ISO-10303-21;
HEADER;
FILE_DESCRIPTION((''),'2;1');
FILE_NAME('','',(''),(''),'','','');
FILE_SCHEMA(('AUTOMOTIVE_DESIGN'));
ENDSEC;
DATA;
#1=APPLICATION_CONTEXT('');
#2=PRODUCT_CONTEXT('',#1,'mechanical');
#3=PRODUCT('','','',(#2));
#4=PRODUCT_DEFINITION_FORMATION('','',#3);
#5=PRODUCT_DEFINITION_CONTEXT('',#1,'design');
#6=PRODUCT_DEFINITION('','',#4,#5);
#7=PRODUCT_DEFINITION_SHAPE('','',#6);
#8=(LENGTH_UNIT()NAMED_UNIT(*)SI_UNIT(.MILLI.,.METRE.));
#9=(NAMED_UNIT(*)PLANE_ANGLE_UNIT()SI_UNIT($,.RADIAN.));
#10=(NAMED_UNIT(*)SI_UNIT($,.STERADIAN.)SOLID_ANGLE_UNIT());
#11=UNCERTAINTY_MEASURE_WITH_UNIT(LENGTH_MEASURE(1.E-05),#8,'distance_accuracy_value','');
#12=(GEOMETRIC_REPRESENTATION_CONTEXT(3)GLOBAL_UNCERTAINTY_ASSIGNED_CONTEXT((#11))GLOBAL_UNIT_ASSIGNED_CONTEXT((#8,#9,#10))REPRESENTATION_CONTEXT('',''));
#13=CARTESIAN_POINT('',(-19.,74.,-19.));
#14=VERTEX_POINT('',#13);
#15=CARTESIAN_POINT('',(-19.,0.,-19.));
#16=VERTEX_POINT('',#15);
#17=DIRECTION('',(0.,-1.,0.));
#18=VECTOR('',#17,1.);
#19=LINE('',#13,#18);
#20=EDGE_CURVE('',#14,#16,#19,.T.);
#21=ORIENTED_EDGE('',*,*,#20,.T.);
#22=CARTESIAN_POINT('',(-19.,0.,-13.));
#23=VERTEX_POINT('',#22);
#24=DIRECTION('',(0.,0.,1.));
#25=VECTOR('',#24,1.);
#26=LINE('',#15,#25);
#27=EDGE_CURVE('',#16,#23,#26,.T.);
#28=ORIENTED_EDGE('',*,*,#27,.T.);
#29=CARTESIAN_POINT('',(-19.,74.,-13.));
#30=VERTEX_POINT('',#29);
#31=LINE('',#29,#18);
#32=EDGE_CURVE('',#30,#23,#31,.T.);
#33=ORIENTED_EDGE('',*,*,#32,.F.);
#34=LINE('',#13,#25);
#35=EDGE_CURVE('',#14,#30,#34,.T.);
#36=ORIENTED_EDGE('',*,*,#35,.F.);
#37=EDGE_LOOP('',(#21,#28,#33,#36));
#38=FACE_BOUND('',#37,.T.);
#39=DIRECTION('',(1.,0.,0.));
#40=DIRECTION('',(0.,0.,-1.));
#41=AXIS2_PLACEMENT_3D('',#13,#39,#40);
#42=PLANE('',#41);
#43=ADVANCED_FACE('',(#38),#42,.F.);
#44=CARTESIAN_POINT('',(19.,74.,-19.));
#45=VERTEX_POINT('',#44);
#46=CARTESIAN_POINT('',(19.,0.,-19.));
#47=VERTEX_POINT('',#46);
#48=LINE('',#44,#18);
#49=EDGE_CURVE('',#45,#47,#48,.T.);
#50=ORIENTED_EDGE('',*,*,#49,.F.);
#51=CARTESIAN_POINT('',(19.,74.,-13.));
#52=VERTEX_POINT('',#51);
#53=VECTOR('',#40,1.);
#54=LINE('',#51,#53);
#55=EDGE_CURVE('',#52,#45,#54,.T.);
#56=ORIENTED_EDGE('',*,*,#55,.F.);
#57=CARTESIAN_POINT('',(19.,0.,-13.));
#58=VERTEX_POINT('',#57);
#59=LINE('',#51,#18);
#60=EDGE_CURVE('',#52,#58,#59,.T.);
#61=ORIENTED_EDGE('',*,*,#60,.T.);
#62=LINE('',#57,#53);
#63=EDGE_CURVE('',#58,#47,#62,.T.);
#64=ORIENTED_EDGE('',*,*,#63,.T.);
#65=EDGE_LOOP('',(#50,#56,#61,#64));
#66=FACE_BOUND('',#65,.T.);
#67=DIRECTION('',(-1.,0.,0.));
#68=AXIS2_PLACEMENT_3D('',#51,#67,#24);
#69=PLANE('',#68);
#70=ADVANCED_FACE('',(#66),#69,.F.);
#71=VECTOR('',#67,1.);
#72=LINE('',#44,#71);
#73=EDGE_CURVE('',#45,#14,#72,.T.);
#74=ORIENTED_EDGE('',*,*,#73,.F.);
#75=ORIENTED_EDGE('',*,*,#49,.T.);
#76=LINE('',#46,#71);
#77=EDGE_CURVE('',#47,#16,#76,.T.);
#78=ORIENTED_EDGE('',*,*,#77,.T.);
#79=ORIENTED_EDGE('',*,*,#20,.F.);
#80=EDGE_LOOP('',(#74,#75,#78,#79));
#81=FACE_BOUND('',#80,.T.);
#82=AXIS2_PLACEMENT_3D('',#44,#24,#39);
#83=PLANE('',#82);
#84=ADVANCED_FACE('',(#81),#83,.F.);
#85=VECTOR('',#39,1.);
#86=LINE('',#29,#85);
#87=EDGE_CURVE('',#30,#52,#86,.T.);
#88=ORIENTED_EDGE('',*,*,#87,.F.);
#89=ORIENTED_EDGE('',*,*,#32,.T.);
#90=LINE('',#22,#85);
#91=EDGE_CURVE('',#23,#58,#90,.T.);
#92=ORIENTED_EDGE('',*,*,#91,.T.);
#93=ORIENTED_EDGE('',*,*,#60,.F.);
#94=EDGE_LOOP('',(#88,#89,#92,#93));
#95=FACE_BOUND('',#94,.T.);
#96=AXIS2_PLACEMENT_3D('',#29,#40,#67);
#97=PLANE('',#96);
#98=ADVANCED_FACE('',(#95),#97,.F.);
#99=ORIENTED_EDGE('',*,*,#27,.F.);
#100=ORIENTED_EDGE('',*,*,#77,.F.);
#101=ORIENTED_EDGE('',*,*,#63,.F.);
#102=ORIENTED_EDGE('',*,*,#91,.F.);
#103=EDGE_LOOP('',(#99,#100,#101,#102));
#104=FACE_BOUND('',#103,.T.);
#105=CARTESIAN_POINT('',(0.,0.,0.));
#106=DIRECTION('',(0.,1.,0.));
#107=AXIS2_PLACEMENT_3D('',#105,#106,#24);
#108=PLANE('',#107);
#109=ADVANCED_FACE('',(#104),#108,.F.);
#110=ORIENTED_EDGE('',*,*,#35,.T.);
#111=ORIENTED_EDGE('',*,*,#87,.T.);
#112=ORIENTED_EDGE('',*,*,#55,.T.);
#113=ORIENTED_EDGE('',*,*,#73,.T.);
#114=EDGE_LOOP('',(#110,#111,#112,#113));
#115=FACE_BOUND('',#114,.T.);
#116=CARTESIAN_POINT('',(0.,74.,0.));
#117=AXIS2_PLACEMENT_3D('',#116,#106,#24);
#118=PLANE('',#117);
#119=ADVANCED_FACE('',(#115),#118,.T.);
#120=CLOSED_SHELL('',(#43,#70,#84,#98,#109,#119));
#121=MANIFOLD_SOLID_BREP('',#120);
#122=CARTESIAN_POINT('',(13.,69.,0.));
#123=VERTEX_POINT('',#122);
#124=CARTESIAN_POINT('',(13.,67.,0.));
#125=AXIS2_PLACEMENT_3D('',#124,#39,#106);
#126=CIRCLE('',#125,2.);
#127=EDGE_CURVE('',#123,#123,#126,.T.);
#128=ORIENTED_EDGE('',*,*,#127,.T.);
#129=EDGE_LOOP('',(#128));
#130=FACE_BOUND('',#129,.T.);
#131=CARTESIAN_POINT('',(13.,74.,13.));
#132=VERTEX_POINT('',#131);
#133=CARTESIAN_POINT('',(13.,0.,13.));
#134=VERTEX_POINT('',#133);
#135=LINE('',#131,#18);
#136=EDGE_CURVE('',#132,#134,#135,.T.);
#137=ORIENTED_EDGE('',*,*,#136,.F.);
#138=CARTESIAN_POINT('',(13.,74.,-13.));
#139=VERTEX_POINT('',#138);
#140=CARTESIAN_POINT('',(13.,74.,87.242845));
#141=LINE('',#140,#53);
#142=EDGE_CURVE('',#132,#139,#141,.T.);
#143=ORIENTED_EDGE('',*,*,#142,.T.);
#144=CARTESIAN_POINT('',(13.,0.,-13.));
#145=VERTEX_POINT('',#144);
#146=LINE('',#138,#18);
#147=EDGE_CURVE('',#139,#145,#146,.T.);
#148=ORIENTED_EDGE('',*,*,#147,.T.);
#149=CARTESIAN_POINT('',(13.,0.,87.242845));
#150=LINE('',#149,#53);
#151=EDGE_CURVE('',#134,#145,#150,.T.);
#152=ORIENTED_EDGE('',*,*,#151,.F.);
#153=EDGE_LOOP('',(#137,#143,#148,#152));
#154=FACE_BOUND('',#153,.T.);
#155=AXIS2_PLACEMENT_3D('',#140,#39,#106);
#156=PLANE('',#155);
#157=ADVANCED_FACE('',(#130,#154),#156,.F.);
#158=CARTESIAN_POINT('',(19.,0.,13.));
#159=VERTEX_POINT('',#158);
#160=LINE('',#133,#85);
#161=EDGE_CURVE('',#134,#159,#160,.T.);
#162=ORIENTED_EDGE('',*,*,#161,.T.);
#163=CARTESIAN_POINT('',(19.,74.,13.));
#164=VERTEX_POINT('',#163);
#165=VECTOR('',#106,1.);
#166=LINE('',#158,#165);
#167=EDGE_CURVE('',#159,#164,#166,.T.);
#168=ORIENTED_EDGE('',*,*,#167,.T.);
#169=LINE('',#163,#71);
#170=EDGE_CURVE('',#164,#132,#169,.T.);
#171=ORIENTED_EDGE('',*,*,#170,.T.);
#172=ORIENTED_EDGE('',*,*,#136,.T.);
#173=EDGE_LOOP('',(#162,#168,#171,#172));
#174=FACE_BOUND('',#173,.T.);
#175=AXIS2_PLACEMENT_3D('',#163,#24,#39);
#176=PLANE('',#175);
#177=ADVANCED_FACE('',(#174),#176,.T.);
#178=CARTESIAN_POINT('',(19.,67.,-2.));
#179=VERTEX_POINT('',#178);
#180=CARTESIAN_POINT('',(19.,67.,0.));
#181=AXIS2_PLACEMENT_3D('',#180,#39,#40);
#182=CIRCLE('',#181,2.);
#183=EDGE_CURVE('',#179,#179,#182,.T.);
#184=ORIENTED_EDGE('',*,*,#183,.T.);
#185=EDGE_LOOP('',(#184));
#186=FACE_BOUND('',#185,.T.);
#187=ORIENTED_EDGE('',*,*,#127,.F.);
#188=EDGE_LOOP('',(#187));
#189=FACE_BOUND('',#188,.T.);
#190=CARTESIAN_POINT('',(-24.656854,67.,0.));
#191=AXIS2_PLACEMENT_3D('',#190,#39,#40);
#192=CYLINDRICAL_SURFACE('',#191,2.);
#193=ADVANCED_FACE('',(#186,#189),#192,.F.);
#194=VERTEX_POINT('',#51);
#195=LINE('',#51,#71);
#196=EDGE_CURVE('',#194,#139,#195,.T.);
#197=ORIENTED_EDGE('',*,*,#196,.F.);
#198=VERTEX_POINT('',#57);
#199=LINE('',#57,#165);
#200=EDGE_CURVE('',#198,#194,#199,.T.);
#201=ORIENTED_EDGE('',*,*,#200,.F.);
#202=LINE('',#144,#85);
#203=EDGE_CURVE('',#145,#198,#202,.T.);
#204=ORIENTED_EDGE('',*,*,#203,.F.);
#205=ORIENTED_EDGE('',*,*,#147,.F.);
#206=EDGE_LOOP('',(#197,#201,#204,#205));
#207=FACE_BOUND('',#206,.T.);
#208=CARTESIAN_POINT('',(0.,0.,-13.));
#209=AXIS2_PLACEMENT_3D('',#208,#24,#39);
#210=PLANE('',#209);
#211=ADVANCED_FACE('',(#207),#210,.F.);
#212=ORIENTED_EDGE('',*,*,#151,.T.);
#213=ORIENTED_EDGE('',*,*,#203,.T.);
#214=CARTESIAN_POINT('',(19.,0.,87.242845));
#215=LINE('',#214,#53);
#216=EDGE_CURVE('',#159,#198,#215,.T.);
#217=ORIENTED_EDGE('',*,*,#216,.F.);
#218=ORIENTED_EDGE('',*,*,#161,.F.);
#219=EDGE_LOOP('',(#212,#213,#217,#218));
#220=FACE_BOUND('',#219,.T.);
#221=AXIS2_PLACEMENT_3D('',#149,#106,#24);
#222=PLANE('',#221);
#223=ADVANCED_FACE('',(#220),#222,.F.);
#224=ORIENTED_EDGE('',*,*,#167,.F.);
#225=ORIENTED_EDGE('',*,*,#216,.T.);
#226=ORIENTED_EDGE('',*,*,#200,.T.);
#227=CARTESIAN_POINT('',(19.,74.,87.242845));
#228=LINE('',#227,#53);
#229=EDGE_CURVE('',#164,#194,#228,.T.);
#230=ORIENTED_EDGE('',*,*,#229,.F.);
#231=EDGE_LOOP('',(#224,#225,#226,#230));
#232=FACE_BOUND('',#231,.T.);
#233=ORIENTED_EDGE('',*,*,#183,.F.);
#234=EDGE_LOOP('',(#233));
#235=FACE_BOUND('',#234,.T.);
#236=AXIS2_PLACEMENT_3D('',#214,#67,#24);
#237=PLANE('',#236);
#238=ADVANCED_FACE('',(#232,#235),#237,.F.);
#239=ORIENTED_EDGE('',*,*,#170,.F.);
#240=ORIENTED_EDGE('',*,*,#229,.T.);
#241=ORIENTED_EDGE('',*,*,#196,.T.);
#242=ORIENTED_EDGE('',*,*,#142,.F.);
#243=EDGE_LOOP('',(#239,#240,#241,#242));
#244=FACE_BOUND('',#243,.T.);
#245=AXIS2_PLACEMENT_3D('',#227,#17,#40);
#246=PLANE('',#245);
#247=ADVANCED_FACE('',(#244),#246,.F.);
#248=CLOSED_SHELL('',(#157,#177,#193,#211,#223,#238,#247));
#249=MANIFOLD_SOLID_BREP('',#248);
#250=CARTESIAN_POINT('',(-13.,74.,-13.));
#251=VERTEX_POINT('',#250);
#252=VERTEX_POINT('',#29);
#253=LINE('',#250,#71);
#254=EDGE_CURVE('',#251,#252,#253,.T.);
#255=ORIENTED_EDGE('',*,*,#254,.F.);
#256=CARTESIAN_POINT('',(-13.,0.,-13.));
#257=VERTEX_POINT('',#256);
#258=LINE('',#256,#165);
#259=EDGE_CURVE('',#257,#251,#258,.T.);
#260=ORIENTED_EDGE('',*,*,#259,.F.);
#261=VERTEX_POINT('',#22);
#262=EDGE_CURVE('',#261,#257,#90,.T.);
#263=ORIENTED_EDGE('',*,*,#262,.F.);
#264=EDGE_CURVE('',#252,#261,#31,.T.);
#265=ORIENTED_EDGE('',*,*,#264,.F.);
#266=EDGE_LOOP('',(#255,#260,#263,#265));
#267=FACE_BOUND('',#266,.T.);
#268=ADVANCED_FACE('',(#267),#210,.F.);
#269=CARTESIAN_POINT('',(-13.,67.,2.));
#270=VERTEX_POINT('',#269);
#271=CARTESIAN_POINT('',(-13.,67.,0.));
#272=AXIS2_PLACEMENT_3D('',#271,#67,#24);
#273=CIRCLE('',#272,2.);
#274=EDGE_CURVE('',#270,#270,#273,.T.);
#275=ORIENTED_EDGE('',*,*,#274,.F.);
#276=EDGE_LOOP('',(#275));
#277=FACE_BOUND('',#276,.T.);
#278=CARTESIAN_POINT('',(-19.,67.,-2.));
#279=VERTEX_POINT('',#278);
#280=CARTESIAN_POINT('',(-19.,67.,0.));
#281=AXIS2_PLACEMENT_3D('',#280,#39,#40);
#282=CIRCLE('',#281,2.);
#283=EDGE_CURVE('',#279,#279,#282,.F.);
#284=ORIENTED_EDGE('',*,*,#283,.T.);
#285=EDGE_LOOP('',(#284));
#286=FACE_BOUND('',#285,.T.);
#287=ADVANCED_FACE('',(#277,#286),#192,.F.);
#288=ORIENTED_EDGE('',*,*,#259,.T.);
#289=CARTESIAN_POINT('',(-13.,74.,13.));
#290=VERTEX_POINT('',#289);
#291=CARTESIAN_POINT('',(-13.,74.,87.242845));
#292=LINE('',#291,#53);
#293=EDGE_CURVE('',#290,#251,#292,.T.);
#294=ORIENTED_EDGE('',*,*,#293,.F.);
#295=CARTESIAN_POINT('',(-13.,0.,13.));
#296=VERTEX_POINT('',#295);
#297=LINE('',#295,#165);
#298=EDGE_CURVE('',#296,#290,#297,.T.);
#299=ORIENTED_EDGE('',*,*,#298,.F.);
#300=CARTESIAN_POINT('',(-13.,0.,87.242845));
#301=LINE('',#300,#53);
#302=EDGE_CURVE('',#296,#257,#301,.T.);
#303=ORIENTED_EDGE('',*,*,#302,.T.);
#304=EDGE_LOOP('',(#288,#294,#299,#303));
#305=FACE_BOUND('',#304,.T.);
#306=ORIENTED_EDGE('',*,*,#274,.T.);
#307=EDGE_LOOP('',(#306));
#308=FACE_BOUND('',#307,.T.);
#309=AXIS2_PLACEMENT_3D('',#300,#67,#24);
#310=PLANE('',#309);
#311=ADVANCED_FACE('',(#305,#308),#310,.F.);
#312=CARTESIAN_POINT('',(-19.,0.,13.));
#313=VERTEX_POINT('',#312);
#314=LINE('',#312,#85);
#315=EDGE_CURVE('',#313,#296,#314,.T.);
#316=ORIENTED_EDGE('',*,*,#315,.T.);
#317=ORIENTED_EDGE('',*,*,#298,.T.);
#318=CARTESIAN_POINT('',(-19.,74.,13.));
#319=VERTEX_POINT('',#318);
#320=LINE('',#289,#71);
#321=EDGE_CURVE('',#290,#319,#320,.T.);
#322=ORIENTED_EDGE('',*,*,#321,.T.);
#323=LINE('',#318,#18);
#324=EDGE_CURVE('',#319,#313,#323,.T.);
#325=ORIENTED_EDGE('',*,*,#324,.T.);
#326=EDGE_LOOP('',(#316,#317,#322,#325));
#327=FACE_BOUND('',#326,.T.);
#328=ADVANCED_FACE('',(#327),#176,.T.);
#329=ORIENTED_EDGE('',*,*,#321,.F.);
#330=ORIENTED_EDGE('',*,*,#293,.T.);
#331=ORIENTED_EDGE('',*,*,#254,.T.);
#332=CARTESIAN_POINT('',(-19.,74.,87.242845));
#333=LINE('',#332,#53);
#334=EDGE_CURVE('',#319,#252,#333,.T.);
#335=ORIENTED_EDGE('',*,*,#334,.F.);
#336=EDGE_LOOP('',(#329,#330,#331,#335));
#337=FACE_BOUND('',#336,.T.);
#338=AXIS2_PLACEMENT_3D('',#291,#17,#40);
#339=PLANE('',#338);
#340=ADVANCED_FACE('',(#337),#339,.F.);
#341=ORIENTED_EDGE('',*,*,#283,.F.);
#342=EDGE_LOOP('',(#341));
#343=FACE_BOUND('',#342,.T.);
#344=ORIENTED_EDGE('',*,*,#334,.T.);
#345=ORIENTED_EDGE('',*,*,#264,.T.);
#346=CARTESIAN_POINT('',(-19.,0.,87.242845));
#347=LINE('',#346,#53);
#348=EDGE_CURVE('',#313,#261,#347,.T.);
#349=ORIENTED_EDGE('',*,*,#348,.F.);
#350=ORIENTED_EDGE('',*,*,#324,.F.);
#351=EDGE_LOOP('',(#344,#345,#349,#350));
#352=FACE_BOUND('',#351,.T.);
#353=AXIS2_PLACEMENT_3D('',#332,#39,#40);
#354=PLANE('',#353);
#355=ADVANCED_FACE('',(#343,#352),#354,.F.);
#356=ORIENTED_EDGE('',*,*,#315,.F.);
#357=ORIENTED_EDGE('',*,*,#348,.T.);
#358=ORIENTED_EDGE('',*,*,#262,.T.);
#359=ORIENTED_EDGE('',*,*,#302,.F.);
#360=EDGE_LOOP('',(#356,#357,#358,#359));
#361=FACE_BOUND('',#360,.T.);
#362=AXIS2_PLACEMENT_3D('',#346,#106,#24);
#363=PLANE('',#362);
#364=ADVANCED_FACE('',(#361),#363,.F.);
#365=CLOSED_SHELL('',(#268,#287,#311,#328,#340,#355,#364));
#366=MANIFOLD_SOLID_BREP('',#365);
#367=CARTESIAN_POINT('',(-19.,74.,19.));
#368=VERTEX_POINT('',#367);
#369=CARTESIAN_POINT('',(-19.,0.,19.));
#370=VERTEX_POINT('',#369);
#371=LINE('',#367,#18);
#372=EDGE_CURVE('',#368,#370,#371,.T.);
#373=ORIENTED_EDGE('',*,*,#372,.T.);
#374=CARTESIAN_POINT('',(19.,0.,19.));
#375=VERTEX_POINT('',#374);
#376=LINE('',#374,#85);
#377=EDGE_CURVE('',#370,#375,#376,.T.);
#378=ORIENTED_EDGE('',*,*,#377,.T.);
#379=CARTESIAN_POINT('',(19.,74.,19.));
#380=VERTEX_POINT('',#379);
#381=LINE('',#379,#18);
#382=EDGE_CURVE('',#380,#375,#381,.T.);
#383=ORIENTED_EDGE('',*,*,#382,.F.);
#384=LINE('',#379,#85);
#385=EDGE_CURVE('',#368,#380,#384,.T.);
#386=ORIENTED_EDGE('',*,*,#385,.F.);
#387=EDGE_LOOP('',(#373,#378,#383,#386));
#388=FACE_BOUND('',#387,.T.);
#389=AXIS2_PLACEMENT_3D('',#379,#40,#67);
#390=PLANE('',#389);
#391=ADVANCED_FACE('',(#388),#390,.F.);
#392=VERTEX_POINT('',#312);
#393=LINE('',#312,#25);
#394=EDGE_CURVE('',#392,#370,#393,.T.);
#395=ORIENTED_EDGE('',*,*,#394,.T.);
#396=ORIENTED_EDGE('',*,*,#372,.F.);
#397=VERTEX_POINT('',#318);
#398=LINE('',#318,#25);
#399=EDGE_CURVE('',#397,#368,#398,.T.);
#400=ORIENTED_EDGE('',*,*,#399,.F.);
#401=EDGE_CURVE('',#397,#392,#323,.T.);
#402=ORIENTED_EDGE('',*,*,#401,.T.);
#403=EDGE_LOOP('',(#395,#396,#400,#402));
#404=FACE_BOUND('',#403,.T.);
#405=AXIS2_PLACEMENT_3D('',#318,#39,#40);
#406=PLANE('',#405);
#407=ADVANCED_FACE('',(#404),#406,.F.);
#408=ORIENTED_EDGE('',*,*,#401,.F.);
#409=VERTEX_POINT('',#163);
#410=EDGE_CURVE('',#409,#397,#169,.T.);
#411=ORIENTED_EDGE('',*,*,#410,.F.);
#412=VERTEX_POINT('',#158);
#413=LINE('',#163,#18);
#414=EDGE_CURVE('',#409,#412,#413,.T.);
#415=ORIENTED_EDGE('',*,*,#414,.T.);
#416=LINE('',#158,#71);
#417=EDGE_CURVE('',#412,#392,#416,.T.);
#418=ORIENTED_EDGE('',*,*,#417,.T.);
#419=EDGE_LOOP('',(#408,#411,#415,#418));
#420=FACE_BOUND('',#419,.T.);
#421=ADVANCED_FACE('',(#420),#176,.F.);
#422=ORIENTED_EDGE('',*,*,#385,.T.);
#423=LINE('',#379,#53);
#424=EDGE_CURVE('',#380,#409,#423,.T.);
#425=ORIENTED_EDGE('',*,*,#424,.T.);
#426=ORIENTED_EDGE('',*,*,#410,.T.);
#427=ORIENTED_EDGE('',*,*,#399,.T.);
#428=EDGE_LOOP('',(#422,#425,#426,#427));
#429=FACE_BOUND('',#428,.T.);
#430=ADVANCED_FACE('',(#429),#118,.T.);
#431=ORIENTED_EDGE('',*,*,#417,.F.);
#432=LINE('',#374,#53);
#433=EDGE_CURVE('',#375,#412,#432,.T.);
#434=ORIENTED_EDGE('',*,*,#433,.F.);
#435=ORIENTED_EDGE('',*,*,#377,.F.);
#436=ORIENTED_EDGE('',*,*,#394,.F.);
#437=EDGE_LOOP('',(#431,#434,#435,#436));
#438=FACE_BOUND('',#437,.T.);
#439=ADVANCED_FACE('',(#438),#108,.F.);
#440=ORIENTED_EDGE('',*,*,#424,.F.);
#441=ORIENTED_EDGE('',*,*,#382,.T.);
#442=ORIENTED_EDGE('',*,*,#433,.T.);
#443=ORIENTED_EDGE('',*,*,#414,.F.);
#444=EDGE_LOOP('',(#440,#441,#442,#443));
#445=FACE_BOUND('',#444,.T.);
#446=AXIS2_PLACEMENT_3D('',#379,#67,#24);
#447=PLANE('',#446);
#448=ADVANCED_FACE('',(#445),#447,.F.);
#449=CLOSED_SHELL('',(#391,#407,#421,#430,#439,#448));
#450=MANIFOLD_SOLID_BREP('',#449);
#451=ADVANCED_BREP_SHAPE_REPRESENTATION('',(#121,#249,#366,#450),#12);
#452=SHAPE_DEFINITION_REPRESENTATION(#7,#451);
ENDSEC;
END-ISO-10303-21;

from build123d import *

# Parameters (mm, degrees)
ESBO_O1_W                  = 38
ESBO_O1_H                  = 6
RESSALTO_EXTRUS_O1_DEPTH   = 74
RESSALTO_EXTRUS_O1_2_DEPTH = 74
ESBO_O2_W                  = 6
ESBO_O2_H                  = 74
RESSALTO_EXTRUS_O2_DEPTH   = 26
RESSALTO_EXTRUS_O2_2_DEPTH = 26
CORTE_TUBO_START           = -38
ESBO_O3_R                  = 2
CORTE_TUBO_DEPTH           = 38


with BuildPart() as part:
    # Esboço1 → Ressalto-extrusão1 (new body)
    with BuildSketch(Plane(origin=(0, 0, 0), x_dir=(1, 0, 0), z_dir=(0, 1, 0))):
        with Locations((0, -16)):
            Rectangle(ESBO_O1_W, ESBO_O1_H)
    extrude(amount=RESSALTO_EXTRUS_O1_DEPTH)


with BuildPart() as body_2:
    # Esboço1 → Ressalto-extrus_o1 2 (new body)
    with BuildSketch(Plane(origin=(0, 0, 0), x_dir=(1, 0, 0), z_dir=(0, 1, 0))):
        with Locations((0, 16)):
            Rectangle(ESBO_O1_W, ESBO_O1_H)
    extrude(amount=RESSALTO_EXTRUS_O1_2_DEPTH)


with BuildPart() as body_3:
    # Esboço2 → Ressalto-extrusão2 (new body)
    with BuildSketch(Plane.XY.offset(-13)):
        with Locations((16, 37)):
            Rectangle(ESBO_O2_W, ESBO_O2_H)
    extrude(amount=RESSALTO_EXTRUS_O2_DEPTH)


with BuildPart() as body_4:
    # Esboço2 → Ressalto-extrus_o2 2 (new body)
    with BuildSketch(Plane.XY.offset(-13)):
        with Locations((-16, 37)):
            Rectangle(ESBO_O2_W, ESBO_O2_H)
    extrude(amount=RESSALTO_EXTRUS_O2_2_DEPTH)


with BuildPart() as corte_tubo_tool:
    # Esboço3 → Corte_tubo (new body)
    with BuildSketch(Plane(origin=(19, 0, 0), x_dir=(0, 0, -1), z_dir=(1, 0, 0)).offset(CORTE_TUBO_START)):
        with Locations((0, 67)):
            Circle(ESBO_O3_R)
    extrude(amount=CORTE_TUBO_DEPTH)


with BuildPart() as body_3_1:
    add(body_3.part)

    # Corte_tubo: cut by corte_tubo_tool
    add(corte_tubo_tool.part, mode=Mode.SUBTRACT)


with BuildPart() as body_4_1:
    add(body_4.part)

    # Corte_tubo: cut by corte_tubo_tool
    add(corte_tubo_tool.part, mode=Mode.SUBTRACT)


solid = Compound([part.part, body_2.part, body_3_1.part, body_4_1.part])
